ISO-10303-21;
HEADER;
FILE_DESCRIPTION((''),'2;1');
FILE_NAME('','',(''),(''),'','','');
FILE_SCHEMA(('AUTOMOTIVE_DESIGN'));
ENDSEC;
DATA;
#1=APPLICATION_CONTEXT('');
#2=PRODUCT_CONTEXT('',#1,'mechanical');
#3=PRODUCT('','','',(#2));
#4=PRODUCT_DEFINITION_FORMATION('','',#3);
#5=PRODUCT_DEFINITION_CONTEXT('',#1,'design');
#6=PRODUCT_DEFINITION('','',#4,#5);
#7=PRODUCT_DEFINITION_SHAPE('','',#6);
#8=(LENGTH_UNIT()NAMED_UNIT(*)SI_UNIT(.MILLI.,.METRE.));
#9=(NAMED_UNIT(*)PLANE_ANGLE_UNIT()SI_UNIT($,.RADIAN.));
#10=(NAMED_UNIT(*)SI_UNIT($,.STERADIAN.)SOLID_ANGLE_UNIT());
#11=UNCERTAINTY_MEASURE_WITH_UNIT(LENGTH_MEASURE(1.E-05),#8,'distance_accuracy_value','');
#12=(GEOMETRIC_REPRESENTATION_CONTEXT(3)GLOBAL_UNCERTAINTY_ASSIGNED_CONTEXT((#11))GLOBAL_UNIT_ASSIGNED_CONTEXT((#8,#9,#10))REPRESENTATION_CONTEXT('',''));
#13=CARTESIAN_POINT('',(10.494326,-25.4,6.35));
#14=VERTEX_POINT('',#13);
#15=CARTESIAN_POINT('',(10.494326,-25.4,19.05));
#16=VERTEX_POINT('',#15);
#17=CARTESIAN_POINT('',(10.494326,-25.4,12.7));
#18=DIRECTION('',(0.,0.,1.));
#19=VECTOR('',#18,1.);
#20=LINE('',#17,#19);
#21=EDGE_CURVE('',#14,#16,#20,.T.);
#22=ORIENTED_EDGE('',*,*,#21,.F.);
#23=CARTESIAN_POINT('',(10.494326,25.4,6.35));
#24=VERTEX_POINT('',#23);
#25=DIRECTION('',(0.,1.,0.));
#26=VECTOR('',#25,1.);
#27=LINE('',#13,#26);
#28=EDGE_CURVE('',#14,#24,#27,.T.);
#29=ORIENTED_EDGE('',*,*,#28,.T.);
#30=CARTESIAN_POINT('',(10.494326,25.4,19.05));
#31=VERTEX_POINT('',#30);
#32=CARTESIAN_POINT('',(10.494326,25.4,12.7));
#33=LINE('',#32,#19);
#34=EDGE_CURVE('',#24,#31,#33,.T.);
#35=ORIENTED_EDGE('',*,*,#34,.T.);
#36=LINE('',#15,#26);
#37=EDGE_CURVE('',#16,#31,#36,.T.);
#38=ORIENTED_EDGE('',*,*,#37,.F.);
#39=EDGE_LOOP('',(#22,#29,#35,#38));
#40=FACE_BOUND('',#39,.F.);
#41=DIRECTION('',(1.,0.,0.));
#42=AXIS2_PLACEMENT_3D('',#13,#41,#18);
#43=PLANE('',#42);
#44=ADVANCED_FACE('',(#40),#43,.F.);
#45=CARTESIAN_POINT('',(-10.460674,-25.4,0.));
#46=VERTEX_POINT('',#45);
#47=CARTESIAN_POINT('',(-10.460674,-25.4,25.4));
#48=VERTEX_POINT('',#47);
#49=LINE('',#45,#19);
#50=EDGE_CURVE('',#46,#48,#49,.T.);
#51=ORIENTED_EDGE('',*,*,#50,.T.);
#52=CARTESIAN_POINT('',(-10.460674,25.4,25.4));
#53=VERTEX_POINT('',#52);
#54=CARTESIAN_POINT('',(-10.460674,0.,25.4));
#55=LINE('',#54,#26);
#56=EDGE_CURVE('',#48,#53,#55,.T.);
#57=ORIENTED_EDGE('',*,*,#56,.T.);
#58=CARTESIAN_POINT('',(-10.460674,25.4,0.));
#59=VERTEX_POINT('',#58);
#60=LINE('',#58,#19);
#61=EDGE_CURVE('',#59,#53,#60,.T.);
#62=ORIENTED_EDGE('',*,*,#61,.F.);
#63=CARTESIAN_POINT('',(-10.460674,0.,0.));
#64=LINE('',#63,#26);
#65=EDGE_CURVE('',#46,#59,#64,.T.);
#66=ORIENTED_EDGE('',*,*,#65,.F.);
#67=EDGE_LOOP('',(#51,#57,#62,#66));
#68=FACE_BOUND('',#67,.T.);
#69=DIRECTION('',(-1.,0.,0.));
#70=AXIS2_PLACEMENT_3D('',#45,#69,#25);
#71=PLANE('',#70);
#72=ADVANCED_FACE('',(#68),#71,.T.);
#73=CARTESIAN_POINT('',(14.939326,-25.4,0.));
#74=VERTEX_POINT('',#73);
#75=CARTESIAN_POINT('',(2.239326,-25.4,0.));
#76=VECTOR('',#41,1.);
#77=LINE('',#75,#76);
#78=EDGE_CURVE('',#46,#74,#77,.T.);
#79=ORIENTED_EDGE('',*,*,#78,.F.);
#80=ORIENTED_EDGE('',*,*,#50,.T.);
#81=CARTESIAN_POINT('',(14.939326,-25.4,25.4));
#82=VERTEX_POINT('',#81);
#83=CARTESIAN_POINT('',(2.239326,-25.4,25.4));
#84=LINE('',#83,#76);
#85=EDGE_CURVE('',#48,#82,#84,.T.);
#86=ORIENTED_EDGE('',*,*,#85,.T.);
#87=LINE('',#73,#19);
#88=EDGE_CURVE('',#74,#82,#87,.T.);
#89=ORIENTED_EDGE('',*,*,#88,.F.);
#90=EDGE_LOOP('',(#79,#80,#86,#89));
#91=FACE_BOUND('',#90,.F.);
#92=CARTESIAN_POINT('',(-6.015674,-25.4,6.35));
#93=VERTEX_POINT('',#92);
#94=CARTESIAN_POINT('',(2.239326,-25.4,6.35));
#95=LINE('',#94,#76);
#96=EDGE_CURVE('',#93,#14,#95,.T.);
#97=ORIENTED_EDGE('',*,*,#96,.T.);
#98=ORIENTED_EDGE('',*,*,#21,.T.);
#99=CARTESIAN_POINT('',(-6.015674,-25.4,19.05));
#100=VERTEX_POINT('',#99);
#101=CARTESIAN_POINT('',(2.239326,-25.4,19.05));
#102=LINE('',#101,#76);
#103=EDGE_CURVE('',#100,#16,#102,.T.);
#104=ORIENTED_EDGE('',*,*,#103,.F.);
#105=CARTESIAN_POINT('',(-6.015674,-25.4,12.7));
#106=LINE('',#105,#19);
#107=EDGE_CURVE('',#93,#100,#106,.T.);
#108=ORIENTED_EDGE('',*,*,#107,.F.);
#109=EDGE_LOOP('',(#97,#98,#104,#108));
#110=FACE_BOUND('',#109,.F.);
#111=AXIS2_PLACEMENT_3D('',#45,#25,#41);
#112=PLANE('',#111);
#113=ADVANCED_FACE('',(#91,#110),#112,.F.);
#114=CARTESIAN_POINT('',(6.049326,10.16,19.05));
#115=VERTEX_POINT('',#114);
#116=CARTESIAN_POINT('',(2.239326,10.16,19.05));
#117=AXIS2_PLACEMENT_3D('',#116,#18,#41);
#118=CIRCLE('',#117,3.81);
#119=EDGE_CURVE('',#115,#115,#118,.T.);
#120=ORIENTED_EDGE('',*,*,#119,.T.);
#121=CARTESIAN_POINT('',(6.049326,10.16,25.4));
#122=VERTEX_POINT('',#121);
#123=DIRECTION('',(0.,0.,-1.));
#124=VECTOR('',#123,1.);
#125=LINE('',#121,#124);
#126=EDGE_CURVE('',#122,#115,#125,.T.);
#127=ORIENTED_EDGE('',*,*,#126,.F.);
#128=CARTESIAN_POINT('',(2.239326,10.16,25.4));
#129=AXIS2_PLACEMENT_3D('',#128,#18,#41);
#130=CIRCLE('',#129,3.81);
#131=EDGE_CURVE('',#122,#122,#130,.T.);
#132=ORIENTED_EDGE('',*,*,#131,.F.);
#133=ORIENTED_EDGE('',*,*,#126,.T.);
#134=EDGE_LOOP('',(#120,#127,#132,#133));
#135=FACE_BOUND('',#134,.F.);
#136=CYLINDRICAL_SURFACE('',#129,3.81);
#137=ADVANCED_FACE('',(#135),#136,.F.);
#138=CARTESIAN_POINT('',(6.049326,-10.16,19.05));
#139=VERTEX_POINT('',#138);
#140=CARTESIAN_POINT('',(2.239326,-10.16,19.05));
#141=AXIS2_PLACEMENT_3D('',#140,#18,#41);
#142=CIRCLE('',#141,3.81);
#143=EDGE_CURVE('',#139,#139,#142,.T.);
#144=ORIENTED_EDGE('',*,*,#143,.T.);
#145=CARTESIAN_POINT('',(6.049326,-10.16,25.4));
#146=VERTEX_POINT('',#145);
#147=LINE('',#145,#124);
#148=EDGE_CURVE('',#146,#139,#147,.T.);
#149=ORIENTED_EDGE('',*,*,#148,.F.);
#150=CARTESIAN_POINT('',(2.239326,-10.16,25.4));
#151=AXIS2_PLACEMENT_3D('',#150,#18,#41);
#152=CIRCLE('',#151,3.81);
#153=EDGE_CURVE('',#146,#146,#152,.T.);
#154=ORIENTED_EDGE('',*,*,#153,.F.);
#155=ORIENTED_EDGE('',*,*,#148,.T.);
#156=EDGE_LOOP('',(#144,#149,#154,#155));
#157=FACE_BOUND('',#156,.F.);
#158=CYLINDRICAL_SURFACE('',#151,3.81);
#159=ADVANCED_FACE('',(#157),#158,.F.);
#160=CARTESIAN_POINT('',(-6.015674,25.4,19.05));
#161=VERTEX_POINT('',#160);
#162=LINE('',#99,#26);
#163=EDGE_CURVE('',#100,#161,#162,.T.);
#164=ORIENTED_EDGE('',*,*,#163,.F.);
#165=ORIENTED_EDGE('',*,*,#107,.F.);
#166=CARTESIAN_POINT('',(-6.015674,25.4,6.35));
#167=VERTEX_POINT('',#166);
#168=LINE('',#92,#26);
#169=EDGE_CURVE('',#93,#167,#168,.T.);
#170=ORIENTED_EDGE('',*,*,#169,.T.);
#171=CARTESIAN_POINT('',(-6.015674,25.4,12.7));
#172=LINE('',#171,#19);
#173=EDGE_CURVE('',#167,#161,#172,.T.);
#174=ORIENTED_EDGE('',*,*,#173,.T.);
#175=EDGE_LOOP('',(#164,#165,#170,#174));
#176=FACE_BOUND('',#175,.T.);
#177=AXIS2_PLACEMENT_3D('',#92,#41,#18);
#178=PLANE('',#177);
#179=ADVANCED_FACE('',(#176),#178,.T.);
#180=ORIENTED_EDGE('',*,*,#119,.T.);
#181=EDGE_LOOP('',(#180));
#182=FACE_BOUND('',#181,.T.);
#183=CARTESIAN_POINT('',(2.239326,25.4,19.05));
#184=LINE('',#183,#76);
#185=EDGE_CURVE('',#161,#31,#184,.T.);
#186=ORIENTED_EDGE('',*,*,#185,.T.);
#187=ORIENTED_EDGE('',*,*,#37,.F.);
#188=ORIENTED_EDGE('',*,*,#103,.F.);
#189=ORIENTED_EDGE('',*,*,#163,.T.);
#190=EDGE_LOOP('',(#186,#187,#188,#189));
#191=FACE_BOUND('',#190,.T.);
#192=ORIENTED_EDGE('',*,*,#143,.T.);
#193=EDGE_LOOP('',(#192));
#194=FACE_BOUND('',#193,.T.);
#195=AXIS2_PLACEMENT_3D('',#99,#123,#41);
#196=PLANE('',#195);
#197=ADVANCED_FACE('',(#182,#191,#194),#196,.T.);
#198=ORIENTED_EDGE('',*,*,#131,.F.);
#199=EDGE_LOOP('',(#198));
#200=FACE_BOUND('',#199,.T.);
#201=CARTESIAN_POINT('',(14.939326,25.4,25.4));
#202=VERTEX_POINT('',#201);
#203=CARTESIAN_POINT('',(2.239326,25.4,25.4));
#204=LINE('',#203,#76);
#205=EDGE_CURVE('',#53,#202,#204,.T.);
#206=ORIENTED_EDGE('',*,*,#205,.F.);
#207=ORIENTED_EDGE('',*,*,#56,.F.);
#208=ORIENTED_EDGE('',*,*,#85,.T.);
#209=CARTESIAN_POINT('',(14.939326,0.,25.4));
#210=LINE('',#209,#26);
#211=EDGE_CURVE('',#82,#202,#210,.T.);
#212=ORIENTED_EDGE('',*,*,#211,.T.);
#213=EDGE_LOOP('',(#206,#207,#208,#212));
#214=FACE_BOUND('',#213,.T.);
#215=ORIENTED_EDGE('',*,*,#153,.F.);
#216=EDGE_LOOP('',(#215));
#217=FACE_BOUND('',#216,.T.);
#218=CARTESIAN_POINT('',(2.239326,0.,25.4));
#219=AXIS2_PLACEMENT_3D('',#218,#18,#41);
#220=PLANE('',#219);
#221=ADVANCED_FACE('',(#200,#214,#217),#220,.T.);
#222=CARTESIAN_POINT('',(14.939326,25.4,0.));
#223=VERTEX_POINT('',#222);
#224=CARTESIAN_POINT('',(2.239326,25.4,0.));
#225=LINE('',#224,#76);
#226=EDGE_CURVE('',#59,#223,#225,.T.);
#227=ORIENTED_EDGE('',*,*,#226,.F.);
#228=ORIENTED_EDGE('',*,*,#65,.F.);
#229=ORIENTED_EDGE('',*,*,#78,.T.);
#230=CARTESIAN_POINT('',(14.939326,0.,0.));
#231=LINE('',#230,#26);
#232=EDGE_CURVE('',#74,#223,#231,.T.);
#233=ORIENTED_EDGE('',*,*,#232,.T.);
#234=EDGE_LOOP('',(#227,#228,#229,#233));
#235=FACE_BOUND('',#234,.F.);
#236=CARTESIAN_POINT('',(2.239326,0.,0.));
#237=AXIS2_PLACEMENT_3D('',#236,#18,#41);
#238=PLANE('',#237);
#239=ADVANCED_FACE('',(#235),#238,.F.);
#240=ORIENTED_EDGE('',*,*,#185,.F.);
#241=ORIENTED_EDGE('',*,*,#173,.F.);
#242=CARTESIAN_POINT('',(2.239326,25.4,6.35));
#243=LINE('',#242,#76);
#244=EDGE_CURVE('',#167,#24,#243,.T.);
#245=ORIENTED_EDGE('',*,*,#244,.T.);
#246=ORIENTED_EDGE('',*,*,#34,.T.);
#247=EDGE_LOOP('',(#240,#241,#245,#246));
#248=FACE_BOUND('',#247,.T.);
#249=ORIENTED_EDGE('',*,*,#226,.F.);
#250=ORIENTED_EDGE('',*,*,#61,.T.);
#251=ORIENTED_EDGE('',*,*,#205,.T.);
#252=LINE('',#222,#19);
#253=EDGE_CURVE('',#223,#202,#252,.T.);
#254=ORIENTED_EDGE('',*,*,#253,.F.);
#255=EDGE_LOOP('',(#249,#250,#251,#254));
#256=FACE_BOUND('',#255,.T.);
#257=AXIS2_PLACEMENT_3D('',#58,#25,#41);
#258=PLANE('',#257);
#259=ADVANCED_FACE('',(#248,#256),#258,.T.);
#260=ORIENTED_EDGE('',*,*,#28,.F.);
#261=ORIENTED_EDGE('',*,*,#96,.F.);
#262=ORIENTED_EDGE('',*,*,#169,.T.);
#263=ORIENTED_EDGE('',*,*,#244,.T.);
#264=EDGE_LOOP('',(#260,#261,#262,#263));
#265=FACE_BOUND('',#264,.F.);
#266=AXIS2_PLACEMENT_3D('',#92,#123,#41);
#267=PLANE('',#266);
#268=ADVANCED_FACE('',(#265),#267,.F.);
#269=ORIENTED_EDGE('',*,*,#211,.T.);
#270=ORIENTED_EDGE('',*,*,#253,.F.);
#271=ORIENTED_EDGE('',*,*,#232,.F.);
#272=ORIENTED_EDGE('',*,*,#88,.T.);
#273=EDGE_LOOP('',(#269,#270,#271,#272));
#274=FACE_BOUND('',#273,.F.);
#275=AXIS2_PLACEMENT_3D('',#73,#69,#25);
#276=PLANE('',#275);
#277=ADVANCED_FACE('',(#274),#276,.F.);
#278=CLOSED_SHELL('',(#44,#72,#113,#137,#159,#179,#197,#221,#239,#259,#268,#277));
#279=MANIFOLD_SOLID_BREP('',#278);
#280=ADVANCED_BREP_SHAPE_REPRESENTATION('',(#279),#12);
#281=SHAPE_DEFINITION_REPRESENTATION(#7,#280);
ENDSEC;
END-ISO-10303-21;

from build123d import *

# Parameters (mm, degrees)
F0_W     = 25.4
F0_H     = 50.8
F1_DEPTH = 25.4
F2_W     = 16.51
F2_H     = 12.7
F3_DEPTH = 50.8
F4_R     = 3.81
F5_DEPTH = 15.24


with BuildPart() as f1:
    # F0 (on Top) → F1 (new body)
    with BuildSketch(Plane.XY):
        with Locations((2.239326, 0)):
            Rectangle(F0_W, F0_H)
    extrude(amount=F1_DEPTH)

    # F2 (on face) → F3 (cut)
    with BuildSketch(Plane.XZ.offset(25.4)):
        with Locations((2.239326, 12.7)):
            Rectangle(F2_W, F2_H)
    extrude(amount=-F3_DEPTH, mode=Mode.SUBTRACT)

    # F4 (on face) → F5 (cut)
    with BuildSketch(Plane.XY.offset(25.4)):
        with Locations((2.239326, 10.16)):
            Circle(F4_R)
        with Locations((2.239326, -10.16)):
            Circle(F4_R)
    extrude(amount=-F5_DEPTH, mode=Mode.SUBTRACT)


solid = f1.part
